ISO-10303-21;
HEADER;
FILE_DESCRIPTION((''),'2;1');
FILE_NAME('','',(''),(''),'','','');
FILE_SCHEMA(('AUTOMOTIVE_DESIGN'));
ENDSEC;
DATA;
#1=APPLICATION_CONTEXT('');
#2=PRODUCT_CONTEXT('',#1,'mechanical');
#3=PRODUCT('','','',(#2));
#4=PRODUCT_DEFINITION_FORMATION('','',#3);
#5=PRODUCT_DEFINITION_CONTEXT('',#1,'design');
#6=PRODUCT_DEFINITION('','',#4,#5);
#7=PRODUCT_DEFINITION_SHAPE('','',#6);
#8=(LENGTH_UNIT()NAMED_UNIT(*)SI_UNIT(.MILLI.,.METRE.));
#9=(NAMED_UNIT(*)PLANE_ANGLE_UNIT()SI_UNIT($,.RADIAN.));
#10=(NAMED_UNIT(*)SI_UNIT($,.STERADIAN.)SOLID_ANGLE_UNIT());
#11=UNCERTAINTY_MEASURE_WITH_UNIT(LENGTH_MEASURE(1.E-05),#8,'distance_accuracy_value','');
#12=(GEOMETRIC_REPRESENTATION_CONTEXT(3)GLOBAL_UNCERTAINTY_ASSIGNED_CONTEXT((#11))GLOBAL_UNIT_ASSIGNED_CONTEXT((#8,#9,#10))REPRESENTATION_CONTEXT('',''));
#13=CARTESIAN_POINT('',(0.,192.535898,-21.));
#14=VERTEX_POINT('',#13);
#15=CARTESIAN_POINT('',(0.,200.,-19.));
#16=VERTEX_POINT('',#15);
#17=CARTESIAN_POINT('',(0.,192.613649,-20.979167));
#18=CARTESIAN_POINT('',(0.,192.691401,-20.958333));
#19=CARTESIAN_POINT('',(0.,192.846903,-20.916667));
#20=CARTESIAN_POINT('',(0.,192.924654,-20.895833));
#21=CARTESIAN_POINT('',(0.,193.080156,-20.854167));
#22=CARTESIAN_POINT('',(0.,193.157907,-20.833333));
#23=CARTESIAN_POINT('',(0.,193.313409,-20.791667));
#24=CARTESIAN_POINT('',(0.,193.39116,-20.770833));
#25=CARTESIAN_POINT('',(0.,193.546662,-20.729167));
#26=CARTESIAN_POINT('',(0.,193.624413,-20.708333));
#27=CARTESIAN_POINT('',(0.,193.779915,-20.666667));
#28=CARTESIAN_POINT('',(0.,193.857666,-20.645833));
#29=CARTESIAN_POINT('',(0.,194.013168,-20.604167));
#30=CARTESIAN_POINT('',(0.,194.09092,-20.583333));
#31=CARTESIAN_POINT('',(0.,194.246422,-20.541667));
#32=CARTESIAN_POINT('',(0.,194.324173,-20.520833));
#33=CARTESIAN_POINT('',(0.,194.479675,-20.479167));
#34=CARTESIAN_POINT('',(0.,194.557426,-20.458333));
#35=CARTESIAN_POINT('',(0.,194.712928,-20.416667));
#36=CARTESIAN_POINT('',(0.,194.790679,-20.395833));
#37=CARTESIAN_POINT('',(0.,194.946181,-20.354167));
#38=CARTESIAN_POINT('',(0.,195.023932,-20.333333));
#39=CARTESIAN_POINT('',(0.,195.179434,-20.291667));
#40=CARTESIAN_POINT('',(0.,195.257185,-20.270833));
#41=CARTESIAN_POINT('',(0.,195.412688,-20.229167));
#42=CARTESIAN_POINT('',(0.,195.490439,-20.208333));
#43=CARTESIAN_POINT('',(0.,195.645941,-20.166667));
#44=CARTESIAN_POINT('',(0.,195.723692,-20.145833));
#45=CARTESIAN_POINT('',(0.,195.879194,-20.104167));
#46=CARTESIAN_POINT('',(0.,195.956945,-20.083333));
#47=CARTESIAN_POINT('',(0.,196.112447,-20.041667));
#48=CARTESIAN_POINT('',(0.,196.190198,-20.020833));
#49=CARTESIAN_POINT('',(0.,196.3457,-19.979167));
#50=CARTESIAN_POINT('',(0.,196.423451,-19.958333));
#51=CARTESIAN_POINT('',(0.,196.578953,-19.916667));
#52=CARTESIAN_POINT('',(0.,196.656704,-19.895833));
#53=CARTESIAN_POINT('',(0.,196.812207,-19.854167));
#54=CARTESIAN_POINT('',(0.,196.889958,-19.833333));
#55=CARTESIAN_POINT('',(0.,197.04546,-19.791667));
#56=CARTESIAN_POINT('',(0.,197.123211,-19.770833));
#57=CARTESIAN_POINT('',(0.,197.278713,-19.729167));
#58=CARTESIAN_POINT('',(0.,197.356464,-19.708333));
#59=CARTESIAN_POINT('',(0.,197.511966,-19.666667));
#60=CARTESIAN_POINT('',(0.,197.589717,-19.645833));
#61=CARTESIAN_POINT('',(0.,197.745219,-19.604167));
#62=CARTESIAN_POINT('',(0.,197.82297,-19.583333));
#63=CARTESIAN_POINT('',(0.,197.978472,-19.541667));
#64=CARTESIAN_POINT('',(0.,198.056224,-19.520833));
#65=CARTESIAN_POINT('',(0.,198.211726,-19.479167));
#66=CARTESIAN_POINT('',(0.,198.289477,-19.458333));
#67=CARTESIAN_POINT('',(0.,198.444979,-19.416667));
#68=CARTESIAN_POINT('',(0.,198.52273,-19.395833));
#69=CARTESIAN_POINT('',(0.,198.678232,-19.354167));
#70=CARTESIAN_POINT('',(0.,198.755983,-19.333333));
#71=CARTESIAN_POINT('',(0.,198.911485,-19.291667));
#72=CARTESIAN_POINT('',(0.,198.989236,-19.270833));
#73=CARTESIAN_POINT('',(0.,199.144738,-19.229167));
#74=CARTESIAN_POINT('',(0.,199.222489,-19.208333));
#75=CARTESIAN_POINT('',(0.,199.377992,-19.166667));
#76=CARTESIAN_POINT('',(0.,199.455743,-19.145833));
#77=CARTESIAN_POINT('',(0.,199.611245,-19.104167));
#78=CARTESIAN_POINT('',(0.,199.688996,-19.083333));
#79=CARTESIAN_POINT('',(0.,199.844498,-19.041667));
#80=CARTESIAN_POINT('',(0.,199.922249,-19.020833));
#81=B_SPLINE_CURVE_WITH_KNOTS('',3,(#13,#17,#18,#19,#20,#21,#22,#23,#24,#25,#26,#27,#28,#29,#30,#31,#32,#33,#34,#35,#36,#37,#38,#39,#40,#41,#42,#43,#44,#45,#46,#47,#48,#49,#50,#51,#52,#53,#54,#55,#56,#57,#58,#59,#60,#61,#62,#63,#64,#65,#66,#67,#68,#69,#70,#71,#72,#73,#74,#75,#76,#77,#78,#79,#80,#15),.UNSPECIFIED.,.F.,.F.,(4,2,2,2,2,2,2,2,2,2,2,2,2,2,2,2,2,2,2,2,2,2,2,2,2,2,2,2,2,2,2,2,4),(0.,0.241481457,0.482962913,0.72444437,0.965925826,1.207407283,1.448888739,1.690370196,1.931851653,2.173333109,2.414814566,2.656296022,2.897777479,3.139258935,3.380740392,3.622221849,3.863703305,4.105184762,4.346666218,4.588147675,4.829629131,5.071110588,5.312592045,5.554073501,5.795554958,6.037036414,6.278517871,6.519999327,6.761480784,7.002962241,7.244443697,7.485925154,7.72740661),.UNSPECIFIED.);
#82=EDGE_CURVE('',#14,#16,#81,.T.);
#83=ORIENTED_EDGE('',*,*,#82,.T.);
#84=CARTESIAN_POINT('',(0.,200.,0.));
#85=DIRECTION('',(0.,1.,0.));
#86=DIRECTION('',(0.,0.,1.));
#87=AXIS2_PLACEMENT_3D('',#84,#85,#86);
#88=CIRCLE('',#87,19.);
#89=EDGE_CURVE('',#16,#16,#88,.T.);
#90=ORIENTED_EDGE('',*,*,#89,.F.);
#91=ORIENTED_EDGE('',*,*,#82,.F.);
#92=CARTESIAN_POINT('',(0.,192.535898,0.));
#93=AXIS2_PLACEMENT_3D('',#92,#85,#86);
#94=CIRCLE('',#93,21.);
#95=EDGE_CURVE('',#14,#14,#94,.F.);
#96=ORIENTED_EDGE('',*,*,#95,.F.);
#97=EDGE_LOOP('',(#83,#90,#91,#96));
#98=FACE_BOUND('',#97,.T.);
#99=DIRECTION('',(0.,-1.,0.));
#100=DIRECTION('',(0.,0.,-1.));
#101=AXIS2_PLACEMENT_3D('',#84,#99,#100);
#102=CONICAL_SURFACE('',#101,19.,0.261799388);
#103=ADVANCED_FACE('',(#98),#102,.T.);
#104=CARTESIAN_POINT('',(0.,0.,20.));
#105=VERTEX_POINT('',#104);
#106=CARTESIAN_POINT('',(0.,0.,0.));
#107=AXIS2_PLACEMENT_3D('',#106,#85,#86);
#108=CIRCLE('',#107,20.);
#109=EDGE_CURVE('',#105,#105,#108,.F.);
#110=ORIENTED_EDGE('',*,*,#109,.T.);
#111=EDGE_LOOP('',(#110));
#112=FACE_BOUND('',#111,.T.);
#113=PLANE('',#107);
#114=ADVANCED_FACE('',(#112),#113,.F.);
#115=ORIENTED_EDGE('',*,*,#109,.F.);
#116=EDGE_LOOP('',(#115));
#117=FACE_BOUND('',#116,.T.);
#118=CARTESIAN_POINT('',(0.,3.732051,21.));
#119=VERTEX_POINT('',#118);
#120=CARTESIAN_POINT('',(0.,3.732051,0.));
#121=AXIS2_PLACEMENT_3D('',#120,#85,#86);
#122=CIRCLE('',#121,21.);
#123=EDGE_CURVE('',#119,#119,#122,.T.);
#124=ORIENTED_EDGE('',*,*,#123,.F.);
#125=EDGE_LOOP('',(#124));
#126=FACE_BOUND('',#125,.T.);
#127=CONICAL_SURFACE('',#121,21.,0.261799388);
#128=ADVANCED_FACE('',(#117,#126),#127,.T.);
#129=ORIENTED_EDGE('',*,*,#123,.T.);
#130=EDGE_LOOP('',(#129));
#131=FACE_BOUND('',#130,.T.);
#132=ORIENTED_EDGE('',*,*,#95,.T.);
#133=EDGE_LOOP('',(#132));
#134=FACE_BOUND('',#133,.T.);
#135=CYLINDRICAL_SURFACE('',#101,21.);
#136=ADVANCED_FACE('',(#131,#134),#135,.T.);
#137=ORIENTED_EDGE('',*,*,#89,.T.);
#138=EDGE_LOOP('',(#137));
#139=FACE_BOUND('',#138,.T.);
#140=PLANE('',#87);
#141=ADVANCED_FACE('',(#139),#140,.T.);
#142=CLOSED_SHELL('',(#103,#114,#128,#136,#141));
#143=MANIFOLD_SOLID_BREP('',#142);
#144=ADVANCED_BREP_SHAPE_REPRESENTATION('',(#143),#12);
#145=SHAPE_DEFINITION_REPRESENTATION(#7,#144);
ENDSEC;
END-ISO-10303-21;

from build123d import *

# Parameters (mm, degrees)
SKETCH1_R           = 21
BOSS_EXTRUDE1_DEPTH = 200
CHAMFER1_SIZE       = 2
CHAMFER1_SIZE2      = 7.464101615
CHAMFER2_SIZE       = 1
CHAMFER2_SIZE2      = 3.732050808


with BuildPart() as part:
    # Sketch1 → Boss-Extrude1 (new body)
    with BuildSketch(Plane(origin=(0, 0, 0), x_dir=(1, 0, 0), z_dir=(0, 1, 0))):
        with Locations(Location((0, 0, 0), (0, 0, 270))):
            Circle(SKETCH1_R)
    extrude(amount=BOSS_EXTRUDE1_DEPTH)

    # Chamfer1
    chamfer1_edges = [part.edges().sort_by_distance(p)[0] for p in [
        (0, 200, -21),
    ]]
    chamfer1_side = [part.faces().sort_by_distance(p)[0] for p in [
        (0, 200, 0),
    ]]
    chamfer(chamfer1_edges, length=CHAMFER1_SIZE, length2=CHAMFER1_SIZE2, reference=chamfer1_side[0])

    # Chamfer2
    chamfer2_edges = [part.edges().sort_by_distance(p)[0] for p in [
        (0, 0, -21),
    ]]
    chamfer2_side = [part.faces().sort_by_distance(p)[0] for p in [
        (0, 0, 0),
    ]]
    chamfer(chamfer2_edges, length=CHAMFER2_SIZE, length2=CHAMFER2_SIZE2, reference=chamfer2_side[0])


solid = part.part
